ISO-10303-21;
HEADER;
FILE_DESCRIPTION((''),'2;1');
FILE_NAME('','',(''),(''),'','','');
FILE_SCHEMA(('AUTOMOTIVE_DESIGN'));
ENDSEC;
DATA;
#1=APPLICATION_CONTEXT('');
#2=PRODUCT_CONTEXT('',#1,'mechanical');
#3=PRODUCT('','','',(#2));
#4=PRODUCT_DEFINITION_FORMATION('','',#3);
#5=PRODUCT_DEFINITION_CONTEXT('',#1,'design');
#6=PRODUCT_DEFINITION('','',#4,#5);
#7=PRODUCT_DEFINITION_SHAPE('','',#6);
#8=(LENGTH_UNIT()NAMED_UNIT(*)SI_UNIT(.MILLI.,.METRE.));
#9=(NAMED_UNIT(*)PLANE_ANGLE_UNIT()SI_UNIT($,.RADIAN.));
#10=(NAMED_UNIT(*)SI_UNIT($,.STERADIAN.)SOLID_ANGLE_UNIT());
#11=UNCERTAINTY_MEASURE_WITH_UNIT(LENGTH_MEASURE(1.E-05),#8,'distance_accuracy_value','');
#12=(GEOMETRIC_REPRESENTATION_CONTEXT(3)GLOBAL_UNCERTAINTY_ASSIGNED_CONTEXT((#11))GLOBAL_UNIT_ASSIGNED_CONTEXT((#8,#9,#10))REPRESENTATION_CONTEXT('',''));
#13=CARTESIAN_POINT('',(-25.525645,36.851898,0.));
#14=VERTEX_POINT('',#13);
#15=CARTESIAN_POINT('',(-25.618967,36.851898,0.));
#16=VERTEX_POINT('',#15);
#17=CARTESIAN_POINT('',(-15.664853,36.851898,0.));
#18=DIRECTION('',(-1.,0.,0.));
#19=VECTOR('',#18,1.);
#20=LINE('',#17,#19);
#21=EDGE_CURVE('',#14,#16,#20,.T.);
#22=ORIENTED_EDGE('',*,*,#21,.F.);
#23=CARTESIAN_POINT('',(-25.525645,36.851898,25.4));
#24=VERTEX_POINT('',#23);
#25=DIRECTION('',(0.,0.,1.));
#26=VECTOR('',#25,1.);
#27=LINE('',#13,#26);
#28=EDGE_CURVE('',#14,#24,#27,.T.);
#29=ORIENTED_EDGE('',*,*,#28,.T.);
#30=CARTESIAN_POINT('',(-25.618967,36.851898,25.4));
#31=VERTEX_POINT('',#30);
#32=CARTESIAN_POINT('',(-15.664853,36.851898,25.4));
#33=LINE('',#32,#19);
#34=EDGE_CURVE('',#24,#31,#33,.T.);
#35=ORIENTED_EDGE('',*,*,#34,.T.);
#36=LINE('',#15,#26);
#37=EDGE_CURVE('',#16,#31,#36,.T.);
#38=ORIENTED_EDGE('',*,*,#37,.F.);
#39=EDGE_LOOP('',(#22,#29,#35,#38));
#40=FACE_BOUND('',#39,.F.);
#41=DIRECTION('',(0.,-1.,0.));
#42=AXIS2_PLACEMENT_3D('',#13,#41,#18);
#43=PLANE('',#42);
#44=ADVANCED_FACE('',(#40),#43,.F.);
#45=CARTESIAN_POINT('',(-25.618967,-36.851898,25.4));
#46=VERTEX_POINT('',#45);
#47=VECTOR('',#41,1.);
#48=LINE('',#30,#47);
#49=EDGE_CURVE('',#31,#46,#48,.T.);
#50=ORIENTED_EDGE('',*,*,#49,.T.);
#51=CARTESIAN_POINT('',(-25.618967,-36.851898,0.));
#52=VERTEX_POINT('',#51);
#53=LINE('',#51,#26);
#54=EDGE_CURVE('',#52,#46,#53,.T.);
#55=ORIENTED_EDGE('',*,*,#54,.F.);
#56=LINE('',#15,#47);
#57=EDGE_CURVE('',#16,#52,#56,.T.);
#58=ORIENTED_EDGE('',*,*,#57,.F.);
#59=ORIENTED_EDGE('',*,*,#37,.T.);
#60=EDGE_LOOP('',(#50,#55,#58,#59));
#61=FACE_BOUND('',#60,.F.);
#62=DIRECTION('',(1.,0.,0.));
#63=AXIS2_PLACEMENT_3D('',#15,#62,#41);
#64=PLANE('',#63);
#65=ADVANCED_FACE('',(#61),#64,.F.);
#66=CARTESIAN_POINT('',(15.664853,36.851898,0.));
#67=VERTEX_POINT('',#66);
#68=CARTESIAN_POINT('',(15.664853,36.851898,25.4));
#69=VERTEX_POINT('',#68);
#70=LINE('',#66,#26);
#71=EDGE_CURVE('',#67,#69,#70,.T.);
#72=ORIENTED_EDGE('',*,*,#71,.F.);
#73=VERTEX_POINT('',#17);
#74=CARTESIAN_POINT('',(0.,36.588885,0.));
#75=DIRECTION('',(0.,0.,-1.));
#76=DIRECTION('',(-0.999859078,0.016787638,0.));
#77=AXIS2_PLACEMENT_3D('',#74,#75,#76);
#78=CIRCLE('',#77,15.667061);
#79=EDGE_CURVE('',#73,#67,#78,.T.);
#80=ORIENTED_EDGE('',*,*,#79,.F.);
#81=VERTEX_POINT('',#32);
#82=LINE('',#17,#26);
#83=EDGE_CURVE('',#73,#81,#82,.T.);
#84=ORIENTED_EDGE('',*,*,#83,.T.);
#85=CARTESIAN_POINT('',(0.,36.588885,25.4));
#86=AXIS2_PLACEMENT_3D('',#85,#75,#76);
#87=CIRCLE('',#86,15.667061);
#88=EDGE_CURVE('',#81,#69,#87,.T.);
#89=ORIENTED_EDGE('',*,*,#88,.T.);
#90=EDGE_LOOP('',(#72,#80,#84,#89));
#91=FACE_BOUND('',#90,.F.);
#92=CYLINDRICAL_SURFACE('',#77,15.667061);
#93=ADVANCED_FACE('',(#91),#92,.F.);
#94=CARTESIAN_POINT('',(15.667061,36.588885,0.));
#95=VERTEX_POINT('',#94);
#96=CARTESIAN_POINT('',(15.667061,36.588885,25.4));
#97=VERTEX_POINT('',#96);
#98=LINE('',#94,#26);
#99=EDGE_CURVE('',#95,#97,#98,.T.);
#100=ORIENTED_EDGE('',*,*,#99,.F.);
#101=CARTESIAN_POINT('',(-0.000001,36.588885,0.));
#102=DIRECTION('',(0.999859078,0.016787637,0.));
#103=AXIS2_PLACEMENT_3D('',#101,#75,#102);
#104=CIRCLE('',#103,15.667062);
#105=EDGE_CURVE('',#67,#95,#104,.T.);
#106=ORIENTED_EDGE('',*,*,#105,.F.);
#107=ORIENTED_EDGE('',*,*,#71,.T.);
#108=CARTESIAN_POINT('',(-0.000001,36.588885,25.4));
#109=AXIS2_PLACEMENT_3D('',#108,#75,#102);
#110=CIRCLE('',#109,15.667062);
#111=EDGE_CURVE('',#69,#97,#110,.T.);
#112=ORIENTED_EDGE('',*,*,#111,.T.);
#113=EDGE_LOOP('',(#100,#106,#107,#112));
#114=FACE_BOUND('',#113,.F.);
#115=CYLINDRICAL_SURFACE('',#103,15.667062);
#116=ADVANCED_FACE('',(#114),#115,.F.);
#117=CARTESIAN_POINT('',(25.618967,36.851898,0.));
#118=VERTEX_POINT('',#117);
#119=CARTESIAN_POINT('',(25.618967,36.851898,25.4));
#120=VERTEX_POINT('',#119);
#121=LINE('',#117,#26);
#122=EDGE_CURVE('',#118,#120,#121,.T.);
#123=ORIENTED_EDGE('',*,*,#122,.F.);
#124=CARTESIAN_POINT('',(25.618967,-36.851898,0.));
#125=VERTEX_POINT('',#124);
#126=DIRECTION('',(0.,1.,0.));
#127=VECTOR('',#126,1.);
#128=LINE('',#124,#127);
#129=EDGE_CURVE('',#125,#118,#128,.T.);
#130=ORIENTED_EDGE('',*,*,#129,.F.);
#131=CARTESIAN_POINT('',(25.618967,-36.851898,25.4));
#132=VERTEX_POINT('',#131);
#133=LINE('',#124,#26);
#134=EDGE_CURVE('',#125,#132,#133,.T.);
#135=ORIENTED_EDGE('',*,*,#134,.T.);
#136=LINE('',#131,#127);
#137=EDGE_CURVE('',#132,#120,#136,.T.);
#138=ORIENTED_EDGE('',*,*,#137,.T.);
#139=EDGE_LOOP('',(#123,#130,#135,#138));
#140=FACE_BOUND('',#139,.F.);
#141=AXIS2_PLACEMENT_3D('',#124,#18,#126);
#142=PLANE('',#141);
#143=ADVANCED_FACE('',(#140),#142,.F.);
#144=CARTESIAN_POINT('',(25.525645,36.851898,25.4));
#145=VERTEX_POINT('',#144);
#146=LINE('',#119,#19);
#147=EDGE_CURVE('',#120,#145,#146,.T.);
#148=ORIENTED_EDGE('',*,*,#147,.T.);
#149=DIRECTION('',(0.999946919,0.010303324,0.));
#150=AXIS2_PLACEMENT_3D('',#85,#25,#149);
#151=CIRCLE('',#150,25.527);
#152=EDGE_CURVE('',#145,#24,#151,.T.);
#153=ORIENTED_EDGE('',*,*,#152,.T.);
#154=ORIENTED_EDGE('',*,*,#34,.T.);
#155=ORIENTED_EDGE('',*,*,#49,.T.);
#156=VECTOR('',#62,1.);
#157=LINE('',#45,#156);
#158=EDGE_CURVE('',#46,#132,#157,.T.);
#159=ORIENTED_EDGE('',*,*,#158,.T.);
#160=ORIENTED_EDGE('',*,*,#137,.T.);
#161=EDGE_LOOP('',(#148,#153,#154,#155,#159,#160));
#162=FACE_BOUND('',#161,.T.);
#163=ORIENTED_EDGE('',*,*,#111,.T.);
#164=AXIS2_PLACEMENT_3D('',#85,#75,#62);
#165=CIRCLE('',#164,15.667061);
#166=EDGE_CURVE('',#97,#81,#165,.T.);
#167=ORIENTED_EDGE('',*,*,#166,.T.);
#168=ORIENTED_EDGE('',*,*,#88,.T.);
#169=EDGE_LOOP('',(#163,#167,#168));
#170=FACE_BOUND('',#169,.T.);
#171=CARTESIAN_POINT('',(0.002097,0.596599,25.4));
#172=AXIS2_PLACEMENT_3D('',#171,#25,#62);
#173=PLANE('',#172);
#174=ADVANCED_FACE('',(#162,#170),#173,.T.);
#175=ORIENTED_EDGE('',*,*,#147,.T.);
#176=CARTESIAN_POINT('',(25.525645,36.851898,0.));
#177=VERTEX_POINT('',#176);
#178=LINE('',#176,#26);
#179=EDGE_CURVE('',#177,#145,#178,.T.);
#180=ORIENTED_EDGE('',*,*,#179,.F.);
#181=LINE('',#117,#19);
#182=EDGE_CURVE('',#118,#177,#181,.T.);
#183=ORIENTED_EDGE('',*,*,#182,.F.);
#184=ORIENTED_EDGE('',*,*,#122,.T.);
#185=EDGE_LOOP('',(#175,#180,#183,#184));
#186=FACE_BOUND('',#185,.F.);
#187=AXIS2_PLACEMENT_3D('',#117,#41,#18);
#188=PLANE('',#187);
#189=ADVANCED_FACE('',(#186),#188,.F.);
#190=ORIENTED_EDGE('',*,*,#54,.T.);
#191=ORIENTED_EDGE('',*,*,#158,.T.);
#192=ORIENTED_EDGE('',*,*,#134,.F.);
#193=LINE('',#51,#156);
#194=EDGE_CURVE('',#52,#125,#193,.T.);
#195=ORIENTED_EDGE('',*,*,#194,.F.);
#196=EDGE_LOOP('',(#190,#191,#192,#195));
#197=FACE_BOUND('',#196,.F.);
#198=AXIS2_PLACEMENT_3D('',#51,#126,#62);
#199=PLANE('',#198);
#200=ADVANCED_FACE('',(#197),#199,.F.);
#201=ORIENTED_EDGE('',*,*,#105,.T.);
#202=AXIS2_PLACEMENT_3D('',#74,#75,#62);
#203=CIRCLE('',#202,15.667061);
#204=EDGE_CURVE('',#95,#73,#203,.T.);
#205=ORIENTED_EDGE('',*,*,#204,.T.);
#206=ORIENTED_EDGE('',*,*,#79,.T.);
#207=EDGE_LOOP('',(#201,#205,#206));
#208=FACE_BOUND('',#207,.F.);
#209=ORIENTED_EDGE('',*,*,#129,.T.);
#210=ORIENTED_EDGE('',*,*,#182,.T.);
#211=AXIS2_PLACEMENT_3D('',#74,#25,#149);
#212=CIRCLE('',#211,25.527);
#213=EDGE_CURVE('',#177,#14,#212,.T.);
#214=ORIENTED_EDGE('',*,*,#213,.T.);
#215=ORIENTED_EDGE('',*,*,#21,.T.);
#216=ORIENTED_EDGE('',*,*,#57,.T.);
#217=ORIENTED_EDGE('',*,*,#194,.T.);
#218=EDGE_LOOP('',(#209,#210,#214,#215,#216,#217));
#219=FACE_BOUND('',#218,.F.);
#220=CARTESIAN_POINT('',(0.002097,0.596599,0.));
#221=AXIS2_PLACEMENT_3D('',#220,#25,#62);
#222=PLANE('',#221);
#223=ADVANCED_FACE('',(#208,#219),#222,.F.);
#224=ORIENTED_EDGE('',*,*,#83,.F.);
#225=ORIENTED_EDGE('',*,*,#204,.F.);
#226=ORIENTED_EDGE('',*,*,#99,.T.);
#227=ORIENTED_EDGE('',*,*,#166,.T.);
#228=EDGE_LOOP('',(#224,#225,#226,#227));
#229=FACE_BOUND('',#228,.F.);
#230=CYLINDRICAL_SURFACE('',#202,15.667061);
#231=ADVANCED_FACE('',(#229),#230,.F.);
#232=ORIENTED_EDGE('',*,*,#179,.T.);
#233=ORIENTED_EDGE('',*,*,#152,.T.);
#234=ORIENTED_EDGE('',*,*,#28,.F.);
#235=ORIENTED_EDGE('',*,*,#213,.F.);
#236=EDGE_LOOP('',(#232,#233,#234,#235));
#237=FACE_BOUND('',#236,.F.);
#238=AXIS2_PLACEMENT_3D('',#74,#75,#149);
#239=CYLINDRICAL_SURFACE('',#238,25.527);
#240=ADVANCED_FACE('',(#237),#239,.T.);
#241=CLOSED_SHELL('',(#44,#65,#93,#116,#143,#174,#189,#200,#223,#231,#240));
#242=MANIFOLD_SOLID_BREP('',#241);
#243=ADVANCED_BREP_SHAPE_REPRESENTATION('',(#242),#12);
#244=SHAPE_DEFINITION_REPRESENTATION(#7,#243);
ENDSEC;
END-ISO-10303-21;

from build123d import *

# Parameters (mm, degrees)
F2_DEPTH = 25.4


with BuildPart() as f2:
    # F1 (on face) → F2 (new body)
    with BuildSketch(Plane.XY):
        with BuildLine():
            Line((-15.6648528991, 36.8518978357), (-25.5256450103, 36.8518978357))
            Line((-25.5256450103, 36.8518978357), (-25.6189666688, 36.8518978357))
            Line((-25.6189666688, 36.8518978357), (-25.6189666688, -36.8518978357))
            Line((-25.6189666688, -36.8518978357), (25.6189666688, -36.8518978357))
            Line((25.6189666688, -36.8518978357), (25.6189666688, 36.8518978357))
            Line((25.6189666688, 36.8518978357), (25.5256450103, 36.8518978357))
            Line((25.5256450103, 36.8518978357), (15.6648528991, 36.8518978357))
            ThreePointArc((15.6648528991, 36.8518978357), (15.6665087683, 36.7203959962), (15.6670607377, 36.5888848901))
            ThreePointArc((15.6670607377, 36.5888848901), (-0.1315111061, 20.9223761218), (-15.6648528991, 36.8518978357))
        make_face()
        with BuildLine():
            ThreePointArc((25.5256450103, 36.8518978357), (0, 62.1158848901), (-25.5256450103, 36.8518978357))
            Line((-25.5256450103, 36.8518978357), (-15.6648528991, 36.8518978357))
            ThreePointArc((-15.6648528991, 36.8518978357), (0, 52.2559456278), (15.6648528991, 36.8518978357))
            Line((15.6648528991, 36.8518978357), (25.5256450103, 36.8518978357))
        make_face()
    extrude(amount=F2_DEPTH)


solid = f2.part
